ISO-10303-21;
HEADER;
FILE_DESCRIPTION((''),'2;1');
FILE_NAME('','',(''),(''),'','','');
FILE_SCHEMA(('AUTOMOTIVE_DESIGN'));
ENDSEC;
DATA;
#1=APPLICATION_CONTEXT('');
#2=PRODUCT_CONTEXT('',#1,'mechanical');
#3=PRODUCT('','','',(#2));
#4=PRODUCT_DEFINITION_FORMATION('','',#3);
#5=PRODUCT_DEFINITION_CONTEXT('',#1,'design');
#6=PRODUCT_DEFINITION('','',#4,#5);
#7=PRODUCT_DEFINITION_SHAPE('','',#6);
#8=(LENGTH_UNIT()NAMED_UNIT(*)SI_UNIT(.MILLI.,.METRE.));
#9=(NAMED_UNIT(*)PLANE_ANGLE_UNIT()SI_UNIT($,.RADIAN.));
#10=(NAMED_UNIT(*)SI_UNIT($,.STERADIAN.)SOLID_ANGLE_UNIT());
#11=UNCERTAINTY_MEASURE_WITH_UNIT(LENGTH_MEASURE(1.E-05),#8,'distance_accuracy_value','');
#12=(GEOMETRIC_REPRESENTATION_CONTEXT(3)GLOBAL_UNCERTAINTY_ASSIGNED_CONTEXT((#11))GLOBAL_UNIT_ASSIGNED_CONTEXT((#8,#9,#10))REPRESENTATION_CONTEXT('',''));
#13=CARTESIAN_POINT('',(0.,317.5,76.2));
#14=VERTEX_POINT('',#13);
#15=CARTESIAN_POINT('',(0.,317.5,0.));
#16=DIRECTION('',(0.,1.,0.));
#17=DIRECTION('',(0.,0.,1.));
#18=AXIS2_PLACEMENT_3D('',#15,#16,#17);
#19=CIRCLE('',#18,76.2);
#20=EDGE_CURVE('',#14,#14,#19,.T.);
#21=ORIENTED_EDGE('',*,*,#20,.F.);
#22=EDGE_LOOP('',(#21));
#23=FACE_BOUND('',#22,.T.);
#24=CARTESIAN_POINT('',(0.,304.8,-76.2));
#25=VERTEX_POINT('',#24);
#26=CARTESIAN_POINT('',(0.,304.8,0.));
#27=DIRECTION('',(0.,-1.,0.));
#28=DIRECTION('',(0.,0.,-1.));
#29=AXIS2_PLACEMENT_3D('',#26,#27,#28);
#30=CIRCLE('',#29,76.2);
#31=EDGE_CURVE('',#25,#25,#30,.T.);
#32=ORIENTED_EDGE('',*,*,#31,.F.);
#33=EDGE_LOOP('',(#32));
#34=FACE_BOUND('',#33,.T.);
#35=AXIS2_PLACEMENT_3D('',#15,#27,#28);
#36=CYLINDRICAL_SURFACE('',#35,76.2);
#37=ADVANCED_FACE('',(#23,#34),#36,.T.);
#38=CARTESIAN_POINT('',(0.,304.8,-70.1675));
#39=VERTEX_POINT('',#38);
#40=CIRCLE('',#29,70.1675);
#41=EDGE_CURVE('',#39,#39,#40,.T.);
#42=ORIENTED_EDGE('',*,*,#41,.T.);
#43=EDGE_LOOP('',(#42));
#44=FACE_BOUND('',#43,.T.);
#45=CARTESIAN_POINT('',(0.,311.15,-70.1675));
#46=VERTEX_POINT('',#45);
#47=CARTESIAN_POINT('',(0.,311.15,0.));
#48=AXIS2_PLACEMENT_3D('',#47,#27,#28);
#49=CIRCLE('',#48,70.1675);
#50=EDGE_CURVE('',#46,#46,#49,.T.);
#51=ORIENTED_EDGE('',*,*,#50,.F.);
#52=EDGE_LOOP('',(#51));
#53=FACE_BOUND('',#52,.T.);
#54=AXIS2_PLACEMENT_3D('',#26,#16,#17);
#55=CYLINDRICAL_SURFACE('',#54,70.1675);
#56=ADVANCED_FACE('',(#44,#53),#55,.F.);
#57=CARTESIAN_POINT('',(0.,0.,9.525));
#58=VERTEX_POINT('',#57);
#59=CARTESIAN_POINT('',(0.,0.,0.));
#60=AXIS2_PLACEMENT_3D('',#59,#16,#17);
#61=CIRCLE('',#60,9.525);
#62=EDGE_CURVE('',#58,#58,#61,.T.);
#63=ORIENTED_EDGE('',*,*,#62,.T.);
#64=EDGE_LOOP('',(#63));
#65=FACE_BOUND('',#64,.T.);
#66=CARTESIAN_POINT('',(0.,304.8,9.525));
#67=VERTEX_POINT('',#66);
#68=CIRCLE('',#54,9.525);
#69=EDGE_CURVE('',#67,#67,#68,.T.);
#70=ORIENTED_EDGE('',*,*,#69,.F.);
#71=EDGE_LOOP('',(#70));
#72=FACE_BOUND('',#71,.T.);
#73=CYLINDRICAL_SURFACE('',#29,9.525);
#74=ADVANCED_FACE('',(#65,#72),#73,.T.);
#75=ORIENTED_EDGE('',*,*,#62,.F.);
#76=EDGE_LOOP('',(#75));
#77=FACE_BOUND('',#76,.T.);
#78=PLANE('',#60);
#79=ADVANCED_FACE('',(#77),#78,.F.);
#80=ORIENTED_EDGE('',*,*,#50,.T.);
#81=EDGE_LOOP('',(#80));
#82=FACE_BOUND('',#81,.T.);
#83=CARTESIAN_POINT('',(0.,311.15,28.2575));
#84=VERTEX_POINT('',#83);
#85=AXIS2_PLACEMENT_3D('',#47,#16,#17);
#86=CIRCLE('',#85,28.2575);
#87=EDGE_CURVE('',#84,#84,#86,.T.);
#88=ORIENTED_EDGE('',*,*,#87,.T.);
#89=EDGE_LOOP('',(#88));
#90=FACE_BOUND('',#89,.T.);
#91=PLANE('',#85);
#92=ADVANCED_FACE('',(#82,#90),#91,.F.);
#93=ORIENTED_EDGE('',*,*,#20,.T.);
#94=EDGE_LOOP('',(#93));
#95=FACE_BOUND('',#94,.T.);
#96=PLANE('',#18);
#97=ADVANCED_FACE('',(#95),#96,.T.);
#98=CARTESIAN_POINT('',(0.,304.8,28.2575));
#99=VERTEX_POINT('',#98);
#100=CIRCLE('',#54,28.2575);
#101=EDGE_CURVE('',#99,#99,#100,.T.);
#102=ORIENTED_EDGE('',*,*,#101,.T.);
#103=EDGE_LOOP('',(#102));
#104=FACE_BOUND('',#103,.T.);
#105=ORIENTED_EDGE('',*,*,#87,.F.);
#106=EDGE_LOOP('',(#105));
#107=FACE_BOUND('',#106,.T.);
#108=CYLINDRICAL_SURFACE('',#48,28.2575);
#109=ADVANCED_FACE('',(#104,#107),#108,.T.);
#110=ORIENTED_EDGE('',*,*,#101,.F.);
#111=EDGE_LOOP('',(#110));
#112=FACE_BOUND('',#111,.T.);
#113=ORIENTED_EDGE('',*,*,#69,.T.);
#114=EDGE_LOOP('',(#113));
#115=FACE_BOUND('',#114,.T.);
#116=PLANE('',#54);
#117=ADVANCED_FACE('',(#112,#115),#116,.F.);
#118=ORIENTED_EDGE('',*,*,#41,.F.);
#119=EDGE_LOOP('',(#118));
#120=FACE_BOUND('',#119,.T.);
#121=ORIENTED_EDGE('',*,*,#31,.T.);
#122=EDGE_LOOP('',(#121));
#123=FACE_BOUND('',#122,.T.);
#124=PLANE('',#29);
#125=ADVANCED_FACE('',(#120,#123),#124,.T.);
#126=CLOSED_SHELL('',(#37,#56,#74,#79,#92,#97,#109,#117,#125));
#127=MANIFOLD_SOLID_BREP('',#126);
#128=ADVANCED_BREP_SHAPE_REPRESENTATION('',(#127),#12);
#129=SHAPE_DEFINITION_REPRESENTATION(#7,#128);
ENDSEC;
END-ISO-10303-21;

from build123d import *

# Parameters (mm, degrees)
SKETCH1_R           = 9.525
BOSS_EXTRUDE1_DEPTH = 304.8
SKETCH2_R           = 28.2575
BOSS_EXTRUDE2_DEPTH = 6.35
SKETCH3_R           = 76.2
BOSS_EXTRUDE3_DEPTH = 6.35
SKETCH5_R           = 76.2
SKETCH5_R_2         = 70.1675
BOSS_EXTRUDE4_DEPTH = 6.35


with BuildPart() as part:
    # Sketch1 → Boss-Extrude1 (new body)
    with BuildSketch(Plane(origin=(0, 0, 0), x_dir=(1, 0, 0), z_dir=(0, 1, 0))):
        Circle(SKETCH1_R)
    extrude(amount=BOSS_EXTRUDE1_DEPTH)

    # Sketch2 → Boss-Extrude2 (add)
    with BuildSketch(Plane(origin=(0, 304.8, 0), x_dir=(1, 0, 0), z_dir=(0, 1, 0))):
        Circle(SKETCH2_R)
    extrude(amount=BOSS_EXTRUDE2_DEPTH)

    # Sketch3 → Boss-Extrude3 (add)
    with BuildSketch(Plane(origin=(0, 311.15, 0), x_dir=(1, 0, 0), z_dir=(0, 1, 0))):
        Circle(SKETCH3_R)
    extrude(amount=BOSS_EXTRUDE3_DEPTH)

    # Sketch5 → Boss-Extrude4 (add)
    with BuildSketch(Plane.XZ.offset(-311.15)):
        Circle(SKETCH5_R)
        Circle(SKETCH5_R_2, mode=Mode.SUBTRACT)
    extrude(amount=BOSS_EXTRUDE4_DEPTH)


solid = part.part
